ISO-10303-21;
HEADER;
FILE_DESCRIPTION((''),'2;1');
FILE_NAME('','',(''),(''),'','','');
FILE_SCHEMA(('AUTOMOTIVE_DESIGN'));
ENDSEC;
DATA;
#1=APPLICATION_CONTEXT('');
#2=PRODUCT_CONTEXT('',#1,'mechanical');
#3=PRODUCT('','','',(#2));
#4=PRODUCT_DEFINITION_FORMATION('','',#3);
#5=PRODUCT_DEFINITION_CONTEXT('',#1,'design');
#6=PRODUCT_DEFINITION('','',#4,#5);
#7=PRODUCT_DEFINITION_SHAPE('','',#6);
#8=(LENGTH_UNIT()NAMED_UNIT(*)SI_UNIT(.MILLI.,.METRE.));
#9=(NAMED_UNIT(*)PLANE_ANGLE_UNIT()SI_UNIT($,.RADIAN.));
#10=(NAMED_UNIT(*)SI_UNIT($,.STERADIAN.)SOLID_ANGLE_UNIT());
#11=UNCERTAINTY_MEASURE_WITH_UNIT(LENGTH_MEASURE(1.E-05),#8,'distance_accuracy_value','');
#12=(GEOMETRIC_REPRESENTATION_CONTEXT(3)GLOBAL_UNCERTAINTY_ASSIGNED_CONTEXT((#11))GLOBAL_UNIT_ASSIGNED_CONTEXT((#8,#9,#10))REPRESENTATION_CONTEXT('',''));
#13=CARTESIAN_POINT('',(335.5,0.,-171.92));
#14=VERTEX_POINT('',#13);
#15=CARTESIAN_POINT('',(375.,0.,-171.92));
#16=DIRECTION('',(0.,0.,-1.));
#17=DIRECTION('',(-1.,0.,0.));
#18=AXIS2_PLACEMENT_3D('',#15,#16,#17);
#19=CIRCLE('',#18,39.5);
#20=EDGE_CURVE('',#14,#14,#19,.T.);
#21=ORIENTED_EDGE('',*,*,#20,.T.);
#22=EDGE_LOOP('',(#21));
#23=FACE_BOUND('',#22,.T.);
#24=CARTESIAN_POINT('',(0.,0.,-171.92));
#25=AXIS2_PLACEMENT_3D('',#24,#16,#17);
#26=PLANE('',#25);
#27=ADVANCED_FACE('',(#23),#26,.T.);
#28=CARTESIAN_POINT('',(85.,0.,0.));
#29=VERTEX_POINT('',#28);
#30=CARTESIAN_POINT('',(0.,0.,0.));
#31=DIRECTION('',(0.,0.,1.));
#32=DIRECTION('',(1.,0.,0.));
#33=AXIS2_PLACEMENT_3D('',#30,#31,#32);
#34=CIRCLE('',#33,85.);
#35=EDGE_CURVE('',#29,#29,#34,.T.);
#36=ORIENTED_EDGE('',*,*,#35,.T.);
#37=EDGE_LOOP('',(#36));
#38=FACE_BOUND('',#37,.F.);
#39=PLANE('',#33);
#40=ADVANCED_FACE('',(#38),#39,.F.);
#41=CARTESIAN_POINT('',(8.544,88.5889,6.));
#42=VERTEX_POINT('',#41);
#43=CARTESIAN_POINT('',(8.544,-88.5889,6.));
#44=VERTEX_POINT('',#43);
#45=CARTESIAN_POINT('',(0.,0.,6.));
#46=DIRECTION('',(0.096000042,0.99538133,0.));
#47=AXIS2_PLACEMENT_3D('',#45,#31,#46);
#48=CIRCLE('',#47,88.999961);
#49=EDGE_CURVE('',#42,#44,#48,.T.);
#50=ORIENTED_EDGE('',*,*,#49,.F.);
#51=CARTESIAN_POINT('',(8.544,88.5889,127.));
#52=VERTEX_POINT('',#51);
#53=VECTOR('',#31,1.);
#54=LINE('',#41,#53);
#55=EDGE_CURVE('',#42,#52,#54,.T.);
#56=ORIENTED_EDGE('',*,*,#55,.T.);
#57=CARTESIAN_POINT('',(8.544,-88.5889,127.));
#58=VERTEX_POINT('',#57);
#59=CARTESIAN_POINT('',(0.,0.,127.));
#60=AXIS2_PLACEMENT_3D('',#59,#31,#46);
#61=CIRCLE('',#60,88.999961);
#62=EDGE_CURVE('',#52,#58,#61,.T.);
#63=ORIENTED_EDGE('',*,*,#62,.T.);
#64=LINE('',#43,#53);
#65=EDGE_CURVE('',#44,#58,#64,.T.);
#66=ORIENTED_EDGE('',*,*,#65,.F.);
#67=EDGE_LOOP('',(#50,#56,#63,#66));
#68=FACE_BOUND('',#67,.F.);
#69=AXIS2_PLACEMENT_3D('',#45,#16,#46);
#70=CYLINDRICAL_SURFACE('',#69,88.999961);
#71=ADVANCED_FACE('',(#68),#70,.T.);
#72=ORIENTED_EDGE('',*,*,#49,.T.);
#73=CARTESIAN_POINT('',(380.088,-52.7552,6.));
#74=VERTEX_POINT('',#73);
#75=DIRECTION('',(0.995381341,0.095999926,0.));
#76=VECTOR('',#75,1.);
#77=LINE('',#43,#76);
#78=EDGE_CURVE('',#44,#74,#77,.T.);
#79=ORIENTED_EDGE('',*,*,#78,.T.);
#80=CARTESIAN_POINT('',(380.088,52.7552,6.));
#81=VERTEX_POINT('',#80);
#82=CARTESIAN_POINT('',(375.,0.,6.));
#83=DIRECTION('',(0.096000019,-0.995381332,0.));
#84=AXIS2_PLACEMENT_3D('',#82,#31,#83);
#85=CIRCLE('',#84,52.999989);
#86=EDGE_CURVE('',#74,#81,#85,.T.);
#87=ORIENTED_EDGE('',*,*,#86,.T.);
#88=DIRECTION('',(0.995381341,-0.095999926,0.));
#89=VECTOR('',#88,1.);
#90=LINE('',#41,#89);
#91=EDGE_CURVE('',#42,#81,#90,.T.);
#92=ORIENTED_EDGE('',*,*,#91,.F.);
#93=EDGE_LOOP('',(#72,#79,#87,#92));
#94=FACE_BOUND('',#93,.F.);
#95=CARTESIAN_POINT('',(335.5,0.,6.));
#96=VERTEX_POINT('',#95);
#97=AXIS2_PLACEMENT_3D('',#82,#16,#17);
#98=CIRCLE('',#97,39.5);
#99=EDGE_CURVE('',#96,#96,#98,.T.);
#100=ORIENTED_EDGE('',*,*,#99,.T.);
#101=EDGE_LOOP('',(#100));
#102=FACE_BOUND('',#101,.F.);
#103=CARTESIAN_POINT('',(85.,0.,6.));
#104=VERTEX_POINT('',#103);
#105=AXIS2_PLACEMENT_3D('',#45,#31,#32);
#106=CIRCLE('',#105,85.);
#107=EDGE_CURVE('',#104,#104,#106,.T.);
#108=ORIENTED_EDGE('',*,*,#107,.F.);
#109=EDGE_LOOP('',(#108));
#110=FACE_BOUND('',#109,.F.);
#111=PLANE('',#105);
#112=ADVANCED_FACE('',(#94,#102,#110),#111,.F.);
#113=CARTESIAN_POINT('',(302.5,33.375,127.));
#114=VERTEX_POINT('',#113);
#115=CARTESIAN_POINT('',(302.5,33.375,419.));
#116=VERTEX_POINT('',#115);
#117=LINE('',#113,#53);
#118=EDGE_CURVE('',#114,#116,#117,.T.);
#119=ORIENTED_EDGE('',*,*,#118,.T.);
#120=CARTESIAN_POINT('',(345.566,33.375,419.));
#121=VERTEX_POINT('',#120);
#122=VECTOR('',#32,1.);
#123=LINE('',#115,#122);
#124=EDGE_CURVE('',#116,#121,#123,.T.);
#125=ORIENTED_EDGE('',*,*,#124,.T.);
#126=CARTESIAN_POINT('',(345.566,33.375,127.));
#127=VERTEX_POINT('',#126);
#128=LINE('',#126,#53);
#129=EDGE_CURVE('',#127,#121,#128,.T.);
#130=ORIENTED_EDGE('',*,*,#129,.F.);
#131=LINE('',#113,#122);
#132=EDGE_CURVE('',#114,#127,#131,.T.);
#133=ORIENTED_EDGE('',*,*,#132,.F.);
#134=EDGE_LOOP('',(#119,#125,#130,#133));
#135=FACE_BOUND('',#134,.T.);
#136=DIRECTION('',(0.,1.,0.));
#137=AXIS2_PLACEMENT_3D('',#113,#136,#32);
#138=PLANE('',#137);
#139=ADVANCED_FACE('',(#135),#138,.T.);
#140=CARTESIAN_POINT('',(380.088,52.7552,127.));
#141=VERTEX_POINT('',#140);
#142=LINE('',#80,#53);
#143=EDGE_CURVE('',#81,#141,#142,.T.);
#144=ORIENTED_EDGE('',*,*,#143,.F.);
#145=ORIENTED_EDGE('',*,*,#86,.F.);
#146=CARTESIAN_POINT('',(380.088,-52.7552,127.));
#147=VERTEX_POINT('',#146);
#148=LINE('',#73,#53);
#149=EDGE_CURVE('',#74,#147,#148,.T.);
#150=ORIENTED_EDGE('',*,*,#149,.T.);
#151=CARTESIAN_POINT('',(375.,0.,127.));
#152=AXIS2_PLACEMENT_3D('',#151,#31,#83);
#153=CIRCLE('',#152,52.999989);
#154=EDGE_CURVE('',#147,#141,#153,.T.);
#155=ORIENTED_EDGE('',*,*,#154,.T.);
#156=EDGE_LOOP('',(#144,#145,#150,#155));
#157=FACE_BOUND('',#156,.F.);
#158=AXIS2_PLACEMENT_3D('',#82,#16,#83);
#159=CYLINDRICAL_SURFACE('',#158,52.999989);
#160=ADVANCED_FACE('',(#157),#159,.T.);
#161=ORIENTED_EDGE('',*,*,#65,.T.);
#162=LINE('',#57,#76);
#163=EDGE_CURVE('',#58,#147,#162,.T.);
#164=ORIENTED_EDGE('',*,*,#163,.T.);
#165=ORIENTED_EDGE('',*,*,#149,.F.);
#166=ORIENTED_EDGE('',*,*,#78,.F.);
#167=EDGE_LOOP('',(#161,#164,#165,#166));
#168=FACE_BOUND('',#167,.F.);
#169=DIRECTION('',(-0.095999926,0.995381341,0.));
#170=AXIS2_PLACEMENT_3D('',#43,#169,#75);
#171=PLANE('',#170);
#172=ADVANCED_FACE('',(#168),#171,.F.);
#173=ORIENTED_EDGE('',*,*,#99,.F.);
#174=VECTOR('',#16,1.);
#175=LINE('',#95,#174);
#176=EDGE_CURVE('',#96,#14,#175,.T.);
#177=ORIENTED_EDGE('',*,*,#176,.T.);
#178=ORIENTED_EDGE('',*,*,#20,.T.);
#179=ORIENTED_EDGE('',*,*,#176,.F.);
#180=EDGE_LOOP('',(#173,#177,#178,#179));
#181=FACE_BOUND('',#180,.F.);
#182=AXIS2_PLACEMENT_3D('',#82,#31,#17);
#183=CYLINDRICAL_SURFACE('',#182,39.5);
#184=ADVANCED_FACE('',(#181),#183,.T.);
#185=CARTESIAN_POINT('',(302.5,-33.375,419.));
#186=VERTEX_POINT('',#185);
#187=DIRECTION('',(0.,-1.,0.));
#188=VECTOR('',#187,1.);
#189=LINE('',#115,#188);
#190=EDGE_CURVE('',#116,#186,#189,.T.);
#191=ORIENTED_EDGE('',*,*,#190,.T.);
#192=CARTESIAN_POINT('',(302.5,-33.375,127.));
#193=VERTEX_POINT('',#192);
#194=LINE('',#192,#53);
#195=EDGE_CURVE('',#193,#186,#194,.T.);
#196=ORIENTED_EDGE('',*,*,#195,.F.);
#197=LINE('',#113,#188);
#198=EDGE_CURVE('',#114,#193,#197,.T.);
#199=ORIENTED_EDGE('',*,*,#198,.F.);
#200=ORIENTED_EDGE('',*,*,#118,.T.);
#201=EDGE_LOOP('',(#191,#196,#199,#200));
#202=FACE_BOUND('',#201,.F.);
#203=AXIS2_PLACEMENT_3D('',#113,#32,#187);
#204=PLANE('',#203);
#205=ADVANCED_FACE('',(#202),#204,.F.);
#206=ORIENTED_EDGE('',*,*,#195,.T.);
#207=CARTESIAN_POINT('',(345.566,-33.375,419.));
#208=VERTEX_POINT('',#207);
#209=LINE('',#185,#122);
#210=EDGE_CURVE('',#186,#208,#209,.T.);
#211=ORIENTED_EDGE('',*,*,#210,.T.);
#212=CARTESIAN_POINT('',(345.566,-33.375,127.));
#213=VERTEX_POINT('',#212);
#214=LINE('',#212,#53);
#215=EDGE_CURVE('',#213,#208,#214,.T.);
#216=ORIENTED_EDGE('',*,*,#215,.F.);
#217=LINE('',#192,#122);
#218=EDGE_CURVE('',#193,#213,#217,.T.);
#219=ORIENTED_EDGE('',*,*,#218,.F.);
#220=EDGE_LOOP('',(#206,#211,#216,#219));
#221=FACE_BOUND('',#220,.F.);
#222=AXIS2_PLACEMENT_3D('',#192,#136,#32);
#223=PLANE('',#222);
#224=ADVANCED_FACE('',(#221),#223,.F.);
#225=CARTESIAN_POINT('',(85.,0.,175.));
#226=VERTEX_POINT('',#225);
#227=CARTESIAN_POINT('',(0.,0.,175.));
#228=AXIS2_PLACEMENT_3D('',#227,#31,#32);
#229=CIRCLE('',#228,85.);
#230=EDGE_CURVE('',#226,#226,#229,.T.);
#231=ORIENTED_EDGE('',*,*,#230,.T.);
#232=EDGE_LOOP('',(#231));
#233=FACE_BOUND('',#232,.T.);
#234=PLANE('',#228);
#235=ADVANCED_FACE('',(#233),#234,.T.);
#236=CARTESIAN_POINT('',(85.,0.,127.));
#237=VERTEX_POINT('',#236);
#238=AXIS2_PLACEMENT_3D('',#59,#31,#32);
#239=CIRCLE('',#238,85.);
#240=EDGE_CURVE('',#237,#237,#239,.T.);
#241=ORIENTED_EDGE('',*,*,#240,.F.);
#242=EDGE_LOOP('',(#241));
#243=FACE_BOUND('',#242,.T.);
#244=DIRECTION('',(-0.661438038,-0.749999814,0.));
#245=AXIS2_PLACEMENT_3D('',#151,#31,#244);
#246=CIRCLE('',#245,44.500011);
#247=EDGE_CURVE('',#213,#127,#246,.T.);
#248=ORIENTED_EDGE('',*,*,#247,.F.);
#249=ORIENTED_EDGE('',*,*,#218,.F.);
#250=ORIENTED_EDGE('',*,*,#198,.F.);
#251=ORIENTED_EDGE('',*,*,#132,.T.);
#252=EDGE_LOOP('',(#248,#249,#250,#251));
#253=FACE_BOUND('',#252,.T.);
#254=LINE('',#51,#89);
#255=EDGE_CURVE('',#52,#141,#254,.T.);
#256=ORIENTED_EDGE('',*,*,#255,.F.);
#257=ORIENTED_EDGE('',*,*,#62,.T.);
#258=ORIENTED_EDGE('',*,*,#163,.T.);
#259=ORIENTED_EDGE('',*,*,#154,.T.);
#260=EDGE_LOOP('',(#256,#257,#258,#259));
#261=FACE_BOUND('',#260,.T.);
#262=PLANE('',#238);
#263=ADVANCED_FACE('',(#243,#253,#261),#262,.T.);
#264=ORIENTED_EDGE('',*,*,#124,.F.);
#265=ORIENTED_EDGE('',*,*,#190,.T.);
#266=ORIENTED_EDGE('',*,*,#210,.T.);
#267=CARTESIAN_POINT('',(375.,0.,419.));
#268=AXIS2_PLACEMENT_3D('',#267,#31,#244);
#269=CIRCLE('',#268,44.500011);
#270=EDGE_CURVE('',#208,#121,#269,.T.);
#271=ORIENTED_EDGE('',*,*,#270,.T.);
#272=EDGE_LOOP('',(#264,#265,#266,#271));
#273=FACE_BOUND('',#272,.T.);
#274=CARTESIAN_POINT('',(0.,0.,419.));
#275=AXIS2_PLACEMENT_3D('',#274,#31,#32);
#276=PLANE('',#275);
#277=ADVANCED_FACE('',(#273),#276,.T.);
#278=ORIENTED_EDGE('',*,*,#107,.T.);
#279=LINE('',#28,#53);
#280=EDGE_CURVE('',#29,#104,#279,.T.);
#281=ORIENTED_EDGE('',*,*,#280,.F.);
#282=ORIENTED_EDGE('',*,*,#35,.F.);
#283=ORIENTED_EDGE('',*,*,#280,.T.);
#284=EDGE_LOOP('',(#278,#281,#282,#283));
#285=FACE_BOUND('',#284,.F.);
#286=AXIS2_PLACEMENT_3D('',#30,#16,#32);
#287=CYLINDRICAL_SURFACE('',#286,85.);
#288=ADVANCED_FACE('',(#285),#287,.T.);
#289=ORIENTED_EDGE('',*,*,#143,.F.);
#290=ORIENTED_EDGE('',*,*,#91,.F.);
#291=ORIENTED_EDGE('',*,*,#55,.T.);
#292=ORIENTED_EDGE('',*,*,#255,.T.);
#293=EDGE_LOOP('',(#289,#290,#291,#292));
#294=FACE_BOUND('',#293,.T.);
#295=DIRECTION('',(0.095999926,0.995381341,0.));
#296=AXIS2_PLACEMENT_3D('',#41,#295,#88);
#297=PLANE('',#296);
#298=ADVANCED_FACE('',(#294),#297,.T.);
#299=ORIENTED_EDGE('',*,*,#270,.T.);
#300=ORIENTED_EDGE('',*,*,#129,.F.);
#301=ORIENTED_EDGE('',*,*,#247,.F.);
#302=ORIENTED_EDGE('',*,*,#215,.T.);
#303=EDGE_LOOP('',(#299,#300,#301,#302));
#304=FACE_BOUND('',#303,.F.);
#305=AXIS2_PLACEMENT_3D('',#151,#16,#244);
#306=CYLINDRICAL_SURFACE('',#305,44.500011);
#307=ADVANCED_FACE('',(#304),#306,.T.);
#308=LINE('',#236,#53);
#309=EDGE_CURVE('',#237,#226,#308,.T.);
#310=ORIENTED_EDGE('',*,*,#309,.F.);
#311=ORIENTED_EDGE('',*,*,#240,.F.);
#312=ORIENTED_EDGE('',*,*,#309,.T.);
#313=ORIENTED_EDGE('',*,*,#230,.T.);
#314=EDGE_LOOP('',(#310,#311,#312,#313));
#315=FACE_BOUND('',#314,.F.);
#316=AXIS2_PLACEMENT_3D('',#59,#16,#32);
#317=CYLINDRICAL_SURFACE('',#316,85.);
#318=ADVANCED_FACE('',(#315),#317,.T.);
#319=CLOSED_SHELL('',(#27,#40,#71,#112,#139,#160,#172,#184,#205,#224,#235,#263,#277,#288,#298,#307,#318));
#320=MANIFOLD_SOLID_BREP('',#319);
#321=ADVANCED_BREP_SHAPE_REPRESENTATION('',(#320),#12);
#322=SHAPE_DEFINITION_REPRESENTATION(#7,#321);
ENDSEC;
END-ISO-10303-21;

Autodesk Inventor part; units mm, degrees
ref_plane "YZ Plane" through (0, 0, 0) normal (1, 0, 0) x (0, 1, 0)
ref_plane "XZ Plane" through (0, 0, 0) normal (0, 1, 0) x (-1, 0, 0)
ref_plane "XY Plane" through (0, 0, 0) normal (0, 0, 1) x (1, 0, 0)
sketch "Sketch1" plane through (0, 0, 0) normal (0, 0, 1) x (1, 0, 0)
  circle A0 centre (0, 0) radius 85
  dimension "d0" = 170
extrude "Extrusion1" add sketch "Sketch1" along normal blind 6
sketch "Sketch2" plane through (0, 0, 6) normal (0, 0, 1) x (1, 0, 0)
  circle A0 centre (0, 0) radius 89 construction
  circle A1 centre (375, 0) radius 53 construction
  line L0 (8.544, 88.5889) -> (380.088, 52.7552)
  line L1 (8.544, -88.5889) -> (380.088, -52.7552)
  arc A2 (8.544, 88.5889) -> (8.544, -88.5889) centre (0, 0) ccw
  arc A3 (380.088, -52.7552) -> (380.088, 52.7552) centre (375, 0) ccw
  dimension "d3" = 178
  dimension "d4" = 106
  dimension "d5" = 375
extrude "Extrusion2" add sketch "Sketch2" along normal blind 121
sketch "Sketch3" plane through (0, 0, 127) normal (0, 0, 1) x (1, 0, 0)
  circle A0 centre (0, 0) radius 85
  dimension "d8" = 170
extrude "Extrusion3" add sketch "Sketch3" along normal blind 48
sketch "Sketch4" plane through (0, 0, 127) normal (0, 0, 1) x (1, 0, 0)
  arc A0 (380.088, -52.7552) -> (380.088, 52.7552) centre (375, 0) ccw construction
  circle A1 centre (375, 0) radius 44.5 construction
  line L0 (302.5, 33.375) -> (302.5, -33.375)
  line L1 (302.5, 33.375) -> (345.566, 33.375)
  line L2 (302.5, -33.375) -> (345.566, -33.375)
  arc A2 (345.566, -33.375) -> (345.566, 33.375) centre (375, 0) ccw
  point P0 (0, 0)
  point P1 (302.5, 0)
  dimension "d11" = 89
  dimension "d12" = 66.75
  dimension "d13" = 72.5
extrude "Extrusion4" add sketch "Sketch4" along normal blind 292
sketch "Sketch5" plane through (0, 0, 6) normal (0, 0, -1) x (-1, 0, 0)
  arc A0 (-380.088, 52.7552) -> (-380.088, -52.7552) centre (-375, 0) ccw construction
  circle A1 centre (-375, 0) radius 39.5
  point P0 (0, 0)
  dimension "d16" = 79
extrude "Extrusion5" add sketch "Sketch5" along normal blind 177.92
properties part number "2"
